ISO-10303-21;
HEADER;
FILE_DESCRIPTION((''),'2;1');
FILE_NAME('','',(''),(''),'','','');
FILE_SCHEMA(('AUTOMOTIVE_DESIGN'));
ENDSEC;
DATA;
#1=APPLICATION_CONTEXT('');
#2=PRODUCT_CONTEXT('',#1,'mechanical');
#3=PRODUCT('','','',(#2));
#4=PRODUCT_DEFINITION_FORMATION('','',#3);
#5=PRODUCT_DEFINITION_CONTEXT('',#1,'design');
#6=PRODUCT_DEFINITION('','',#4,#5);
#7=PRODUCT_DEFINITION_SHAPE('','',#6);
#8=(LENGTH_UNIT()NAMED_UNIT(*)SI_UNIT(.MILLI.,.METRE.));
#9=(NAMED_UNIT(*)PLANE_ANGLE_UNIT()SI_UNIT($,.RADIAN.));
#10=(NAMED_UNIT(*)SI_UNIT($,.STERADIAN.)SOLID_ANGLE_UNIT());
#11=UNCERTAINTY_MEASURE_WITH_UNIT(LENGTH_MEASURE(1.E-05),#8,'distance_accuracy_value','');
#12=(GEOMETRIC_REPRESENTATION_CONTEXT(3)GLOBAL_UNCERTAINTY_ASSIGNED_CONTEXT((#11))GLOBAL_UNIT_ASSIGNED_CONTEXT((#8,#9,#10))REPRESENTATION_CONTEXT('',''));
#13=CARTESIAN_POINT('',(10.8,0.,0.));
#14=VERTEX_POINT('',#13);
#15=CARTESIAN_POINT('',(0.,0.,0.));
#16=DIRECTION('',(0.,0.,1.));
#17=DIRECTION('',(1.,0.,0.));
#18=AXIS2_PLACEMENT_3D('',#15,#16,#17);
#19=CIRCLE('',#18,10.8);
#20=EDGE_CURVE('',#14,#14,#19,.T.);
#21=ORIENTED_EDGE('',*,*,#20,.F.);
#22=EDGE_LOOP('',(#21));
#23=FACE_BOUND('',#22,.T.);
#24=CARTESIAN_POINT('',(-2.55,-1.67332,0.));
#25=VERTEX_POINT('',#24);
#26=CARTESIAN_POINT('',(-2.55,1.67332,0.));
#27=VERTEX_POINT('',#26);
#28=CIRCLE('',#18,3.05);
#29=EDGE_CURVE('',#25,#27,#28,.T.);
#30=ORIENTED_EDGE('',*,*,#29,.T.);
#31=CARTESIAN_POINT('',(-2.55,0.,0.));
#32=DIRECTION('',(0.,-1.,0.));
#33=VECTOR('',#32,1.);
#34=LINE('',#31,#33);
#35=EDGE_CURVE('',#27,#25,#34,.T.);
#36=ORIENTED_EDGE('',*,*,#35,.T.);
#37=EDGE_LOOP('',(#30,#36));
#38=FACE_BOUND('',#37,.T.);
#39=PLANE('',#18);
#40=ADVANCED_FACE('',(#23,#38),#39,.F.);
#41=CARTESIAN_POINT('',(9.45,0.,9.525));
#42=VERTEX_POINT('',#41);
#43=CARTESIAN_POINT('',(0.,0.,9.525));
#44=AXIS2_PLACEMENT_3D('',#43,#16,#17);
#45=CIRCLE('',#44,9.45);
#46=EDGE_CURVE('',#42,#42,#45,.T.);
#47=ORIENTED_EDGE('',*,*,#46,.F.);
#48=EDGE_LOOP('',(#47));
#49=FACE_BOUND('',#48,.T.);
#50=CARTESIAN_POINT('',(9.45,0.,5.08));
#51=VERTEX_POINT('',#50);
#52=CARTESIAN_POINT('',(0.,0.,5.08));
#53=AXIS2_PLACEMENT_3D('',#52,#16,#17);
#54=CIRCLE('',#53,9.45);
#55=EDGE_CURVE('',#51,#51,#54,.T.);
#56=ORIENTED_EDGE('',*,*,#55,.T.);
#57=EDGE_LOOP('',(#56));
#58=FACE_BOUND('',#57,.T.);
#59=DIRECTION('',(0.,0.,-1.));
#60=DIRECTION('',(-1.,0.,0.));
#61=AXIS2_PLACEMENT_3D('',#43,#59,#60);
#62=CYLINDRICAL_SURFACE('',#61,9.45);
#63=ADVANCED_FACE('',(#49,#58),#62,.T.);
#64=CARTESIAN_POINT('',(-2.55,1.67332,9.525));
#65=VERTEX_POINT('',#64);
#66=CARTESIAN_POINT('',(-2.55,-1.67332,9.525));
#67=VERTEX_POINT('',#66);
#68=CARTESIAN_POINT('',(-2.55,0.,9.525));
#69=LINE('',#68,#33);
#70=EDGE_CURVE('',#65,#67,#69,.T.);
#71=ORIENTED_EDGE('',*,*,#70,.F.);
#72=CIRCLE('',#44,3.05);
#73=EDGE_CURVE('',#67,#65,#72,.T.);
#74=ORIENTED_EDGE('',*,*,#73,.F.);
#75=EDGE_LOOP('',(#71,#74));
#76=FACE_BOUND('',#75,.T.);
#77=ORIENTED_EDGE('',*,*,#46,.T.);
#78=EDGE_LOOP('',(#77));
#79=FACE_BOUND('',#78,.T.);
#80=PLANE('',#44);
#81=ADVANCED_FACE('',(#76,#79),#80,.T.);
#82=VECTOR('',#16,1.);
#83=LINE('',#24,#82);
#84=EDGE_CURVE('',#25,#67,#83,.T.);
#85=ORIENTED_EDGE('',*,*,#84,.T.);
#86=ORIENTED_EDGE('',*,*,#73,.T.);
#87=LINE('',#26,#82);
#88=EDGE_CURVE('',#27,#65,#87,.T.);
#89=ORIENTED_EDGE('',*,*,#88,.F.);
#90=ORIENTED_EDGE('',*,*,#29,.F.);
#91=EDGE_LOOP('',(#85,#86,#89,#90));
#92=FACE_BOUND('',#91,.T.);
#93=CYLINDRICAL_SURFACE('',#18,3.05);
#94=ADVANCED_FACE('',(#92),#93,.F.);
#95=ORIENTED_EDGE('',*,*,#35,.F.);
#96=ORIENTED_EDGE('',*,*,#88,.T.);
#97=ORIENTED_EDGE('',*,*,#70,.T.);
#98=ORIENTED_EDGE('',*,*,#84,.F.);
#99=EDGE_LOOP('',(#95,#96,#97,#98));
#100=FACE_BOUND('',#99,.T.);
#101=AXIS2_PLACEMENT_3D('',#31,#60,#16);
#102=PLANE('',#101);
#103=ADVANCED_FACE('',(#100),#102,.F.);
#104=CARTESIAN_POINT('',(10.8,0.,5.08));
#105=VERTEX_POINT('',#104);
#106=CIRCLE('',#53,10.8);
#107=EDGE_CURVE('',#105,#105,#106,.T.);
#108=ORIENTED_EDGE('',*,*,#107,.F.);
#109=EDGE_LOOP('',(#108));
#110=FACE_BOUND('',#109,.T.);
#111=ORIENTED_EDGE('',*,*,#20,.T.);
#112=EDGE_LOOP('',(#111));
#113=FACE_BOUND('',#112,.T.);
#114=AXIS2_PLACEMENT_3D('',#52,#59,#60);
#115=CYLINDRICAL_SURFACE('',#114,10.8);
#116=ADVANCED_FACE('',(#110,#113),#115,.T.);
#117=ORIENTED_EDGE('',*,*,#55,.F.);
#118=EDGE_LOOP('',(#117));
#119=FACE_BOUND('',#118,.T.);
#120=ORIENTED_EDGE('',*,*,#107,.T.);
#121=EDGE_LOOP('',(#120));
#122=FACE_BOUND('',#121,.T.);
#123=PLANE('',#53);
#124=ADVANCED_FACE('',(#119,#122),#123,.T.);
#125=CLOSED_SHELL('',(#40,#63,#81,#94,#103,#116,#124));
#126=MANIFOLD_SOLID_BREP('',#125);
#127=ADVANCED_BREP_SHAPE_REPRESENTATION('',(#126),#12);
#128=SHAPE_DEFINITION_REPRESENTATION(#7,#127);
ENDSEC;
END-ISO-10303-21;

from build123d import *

# Parameters (mm, degrees)
SKETCH1_R           = 10.8
BOSS_EXTRUDE1_DEPTH = 5.08
SKETCH2_R           = 9.45
BOSS_EXTRUDE2_DEPTH = 4.445
CUT_EXTRUDE1_DEPTH  = 19.000156249


with BuildPart() as part:
    # Sketch1 → Boss-Extrude1 (new body)
    with BuildSketch(Plane.XY):
        Circle(SKETCH1_R)
    extrude(amount=BOSS_EXTRUDE1_DEPTH)

    # Sketch2 → Boss-Extrude2 (add)
    with BuildSketch(Plane.XY.offset(5.08)):
        Circle(SKETCH2_R)
    extrude(amount=BOSS_EXTRUDE2_DEPTH)

    # Sketch3 → Cut-Extrude1 (cut, through all)
    with BuildSketch(Plane.XY.offset(9.525)):
        with BuildLine():
            Line((-2.55, 0), (-2.55, 1.673320053))
            ThreePointArc((-2.55, 1.673320053), (3.05, 0), (-2.55, -1.673320053))
            Line((-2.55, -1.673320053), (-2.55, 0))
        make_face()
    extrude(amount=-CUT_EXTRUDE1_DEPTH, mode=Mode.SUBTRACT)


solid = part.part
